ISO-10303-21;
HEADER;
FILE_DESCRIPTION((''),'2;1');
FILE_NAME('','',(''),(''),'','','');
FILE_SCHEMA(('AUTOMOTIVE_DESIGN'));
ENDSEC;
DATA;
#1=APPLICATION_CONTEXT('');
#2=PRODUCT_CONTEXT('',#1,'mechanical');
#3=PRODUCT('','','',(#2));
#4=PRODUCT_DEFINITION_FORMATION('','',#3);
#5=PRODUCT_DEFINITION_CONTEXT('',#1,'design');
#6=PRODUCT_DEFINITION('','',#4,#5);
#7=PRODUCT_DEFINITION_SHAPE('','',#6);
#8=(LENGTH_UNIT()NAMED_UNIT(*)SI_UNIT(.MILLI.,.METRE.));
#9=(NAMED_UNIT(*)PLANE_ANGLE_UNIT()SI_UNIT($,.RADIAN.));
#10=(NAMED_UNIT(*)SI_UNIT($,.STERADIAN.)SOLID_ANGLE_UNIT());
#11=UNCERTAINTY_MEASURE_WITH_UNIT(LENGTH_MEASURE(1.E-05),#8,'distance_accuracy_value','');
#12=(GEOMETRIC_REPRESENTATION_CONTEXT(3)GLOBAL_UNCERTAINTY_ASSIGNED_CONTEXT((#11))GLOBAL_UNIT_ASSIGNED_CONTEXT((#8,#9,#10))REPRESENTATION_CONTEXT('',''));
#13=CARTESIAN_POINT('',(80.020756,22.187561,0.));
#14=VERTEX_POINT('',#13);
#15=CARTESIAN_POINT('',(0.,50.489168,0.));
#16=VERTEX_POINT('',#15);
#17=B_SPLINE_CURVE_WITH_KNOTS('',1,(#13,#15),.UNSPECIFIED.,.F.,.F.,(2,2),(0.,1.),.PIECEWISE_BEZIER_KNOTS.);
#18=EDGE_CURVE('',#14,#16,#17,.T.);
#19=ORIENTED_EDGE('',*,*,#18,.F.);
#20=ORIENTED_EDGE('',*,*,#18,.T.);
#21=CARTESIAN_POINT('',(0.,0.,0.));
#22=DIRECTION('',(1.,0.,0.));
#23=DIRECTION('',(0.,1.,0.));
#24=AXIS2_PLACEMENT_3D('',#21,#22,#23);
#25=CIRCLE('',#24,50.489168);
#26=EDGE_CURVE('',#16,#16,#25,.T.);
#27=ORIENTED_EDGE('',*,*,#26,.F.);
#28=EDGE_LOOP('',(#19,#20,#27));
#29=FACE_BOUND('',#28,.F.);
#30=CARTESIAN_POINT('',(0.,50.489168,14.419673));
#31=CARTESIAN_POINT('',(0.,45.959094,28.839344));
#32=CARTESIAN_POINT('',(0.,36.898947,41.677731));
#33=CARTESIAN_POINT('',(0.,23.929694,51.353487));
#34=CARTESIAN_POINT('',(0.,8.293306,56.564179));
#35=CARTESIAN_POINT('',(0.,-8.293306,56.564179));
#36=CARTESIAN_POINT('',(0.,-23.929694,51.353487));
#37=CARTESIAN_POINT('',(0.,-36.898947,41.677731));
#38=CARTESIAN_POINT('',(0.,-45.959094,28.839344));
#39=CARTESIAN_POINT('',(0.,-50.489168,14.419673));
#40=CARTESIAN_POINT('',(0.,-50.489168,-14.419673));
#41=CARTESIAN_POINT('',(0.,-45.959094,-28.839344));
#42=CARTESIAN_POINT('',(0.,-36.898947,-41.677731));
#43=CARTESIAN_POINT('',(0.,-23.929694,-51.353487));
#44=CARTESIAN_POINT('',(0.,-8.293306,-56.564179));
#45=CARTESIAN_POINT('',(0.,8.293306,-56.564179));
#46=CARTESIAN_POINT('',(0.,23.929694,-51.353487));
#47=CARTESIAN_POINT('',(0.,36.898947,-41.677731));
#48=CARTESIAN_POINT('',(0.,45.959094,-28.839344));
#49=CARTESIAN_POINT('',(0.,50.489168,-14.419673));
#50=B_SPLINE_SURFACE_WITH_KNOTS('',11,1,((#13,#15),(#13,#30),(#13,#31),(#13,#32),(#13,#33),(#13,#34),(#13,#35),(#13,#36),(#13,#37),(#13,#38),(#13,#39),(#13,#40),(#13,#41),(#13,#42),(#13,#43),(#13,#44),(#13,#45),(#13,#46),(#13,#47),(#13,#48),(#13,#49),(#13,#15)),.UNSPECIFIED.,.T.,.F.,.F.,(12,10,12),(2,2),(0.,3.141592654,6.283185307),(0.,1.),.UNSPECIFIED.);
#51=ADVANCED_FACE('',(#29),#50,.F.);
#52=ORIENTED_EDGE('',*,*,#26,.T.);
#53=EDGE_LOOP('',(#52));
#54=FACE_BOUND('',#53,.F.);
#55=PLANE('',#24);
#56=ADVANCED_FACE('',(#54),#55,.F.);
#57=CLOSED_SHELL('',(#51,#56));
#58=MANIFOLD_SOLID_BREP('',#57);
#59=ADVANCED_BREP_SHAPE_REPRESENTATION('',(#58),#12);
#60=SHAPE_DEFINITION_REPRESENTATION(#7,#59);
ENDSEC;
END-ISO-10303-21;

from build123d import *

# Parameters (mm, degrees)
F0_R     = 40.5049898026
F1_DEPTH = 554.8116564751
F3_R     = 50.489167609


with BuildPart() as f1:
    # F0 (on Top) → F1 (new body)
    with BuildSketch(Plane.XY):
        Circle(F0_R)
    extrude(amount=F1_DEPTH)


with BuildPart() as f5:
    # F3 (on Right) → F5 section 0
    with BuildSketch(Plane.YZ, mode=Mode.PRIVATE) as f5_s0:
        Circle(F3_R)
    loft([Vertex(80.0207555294, 22.1875607967, 0), f5_s0.sketch])


solid = f5.part
